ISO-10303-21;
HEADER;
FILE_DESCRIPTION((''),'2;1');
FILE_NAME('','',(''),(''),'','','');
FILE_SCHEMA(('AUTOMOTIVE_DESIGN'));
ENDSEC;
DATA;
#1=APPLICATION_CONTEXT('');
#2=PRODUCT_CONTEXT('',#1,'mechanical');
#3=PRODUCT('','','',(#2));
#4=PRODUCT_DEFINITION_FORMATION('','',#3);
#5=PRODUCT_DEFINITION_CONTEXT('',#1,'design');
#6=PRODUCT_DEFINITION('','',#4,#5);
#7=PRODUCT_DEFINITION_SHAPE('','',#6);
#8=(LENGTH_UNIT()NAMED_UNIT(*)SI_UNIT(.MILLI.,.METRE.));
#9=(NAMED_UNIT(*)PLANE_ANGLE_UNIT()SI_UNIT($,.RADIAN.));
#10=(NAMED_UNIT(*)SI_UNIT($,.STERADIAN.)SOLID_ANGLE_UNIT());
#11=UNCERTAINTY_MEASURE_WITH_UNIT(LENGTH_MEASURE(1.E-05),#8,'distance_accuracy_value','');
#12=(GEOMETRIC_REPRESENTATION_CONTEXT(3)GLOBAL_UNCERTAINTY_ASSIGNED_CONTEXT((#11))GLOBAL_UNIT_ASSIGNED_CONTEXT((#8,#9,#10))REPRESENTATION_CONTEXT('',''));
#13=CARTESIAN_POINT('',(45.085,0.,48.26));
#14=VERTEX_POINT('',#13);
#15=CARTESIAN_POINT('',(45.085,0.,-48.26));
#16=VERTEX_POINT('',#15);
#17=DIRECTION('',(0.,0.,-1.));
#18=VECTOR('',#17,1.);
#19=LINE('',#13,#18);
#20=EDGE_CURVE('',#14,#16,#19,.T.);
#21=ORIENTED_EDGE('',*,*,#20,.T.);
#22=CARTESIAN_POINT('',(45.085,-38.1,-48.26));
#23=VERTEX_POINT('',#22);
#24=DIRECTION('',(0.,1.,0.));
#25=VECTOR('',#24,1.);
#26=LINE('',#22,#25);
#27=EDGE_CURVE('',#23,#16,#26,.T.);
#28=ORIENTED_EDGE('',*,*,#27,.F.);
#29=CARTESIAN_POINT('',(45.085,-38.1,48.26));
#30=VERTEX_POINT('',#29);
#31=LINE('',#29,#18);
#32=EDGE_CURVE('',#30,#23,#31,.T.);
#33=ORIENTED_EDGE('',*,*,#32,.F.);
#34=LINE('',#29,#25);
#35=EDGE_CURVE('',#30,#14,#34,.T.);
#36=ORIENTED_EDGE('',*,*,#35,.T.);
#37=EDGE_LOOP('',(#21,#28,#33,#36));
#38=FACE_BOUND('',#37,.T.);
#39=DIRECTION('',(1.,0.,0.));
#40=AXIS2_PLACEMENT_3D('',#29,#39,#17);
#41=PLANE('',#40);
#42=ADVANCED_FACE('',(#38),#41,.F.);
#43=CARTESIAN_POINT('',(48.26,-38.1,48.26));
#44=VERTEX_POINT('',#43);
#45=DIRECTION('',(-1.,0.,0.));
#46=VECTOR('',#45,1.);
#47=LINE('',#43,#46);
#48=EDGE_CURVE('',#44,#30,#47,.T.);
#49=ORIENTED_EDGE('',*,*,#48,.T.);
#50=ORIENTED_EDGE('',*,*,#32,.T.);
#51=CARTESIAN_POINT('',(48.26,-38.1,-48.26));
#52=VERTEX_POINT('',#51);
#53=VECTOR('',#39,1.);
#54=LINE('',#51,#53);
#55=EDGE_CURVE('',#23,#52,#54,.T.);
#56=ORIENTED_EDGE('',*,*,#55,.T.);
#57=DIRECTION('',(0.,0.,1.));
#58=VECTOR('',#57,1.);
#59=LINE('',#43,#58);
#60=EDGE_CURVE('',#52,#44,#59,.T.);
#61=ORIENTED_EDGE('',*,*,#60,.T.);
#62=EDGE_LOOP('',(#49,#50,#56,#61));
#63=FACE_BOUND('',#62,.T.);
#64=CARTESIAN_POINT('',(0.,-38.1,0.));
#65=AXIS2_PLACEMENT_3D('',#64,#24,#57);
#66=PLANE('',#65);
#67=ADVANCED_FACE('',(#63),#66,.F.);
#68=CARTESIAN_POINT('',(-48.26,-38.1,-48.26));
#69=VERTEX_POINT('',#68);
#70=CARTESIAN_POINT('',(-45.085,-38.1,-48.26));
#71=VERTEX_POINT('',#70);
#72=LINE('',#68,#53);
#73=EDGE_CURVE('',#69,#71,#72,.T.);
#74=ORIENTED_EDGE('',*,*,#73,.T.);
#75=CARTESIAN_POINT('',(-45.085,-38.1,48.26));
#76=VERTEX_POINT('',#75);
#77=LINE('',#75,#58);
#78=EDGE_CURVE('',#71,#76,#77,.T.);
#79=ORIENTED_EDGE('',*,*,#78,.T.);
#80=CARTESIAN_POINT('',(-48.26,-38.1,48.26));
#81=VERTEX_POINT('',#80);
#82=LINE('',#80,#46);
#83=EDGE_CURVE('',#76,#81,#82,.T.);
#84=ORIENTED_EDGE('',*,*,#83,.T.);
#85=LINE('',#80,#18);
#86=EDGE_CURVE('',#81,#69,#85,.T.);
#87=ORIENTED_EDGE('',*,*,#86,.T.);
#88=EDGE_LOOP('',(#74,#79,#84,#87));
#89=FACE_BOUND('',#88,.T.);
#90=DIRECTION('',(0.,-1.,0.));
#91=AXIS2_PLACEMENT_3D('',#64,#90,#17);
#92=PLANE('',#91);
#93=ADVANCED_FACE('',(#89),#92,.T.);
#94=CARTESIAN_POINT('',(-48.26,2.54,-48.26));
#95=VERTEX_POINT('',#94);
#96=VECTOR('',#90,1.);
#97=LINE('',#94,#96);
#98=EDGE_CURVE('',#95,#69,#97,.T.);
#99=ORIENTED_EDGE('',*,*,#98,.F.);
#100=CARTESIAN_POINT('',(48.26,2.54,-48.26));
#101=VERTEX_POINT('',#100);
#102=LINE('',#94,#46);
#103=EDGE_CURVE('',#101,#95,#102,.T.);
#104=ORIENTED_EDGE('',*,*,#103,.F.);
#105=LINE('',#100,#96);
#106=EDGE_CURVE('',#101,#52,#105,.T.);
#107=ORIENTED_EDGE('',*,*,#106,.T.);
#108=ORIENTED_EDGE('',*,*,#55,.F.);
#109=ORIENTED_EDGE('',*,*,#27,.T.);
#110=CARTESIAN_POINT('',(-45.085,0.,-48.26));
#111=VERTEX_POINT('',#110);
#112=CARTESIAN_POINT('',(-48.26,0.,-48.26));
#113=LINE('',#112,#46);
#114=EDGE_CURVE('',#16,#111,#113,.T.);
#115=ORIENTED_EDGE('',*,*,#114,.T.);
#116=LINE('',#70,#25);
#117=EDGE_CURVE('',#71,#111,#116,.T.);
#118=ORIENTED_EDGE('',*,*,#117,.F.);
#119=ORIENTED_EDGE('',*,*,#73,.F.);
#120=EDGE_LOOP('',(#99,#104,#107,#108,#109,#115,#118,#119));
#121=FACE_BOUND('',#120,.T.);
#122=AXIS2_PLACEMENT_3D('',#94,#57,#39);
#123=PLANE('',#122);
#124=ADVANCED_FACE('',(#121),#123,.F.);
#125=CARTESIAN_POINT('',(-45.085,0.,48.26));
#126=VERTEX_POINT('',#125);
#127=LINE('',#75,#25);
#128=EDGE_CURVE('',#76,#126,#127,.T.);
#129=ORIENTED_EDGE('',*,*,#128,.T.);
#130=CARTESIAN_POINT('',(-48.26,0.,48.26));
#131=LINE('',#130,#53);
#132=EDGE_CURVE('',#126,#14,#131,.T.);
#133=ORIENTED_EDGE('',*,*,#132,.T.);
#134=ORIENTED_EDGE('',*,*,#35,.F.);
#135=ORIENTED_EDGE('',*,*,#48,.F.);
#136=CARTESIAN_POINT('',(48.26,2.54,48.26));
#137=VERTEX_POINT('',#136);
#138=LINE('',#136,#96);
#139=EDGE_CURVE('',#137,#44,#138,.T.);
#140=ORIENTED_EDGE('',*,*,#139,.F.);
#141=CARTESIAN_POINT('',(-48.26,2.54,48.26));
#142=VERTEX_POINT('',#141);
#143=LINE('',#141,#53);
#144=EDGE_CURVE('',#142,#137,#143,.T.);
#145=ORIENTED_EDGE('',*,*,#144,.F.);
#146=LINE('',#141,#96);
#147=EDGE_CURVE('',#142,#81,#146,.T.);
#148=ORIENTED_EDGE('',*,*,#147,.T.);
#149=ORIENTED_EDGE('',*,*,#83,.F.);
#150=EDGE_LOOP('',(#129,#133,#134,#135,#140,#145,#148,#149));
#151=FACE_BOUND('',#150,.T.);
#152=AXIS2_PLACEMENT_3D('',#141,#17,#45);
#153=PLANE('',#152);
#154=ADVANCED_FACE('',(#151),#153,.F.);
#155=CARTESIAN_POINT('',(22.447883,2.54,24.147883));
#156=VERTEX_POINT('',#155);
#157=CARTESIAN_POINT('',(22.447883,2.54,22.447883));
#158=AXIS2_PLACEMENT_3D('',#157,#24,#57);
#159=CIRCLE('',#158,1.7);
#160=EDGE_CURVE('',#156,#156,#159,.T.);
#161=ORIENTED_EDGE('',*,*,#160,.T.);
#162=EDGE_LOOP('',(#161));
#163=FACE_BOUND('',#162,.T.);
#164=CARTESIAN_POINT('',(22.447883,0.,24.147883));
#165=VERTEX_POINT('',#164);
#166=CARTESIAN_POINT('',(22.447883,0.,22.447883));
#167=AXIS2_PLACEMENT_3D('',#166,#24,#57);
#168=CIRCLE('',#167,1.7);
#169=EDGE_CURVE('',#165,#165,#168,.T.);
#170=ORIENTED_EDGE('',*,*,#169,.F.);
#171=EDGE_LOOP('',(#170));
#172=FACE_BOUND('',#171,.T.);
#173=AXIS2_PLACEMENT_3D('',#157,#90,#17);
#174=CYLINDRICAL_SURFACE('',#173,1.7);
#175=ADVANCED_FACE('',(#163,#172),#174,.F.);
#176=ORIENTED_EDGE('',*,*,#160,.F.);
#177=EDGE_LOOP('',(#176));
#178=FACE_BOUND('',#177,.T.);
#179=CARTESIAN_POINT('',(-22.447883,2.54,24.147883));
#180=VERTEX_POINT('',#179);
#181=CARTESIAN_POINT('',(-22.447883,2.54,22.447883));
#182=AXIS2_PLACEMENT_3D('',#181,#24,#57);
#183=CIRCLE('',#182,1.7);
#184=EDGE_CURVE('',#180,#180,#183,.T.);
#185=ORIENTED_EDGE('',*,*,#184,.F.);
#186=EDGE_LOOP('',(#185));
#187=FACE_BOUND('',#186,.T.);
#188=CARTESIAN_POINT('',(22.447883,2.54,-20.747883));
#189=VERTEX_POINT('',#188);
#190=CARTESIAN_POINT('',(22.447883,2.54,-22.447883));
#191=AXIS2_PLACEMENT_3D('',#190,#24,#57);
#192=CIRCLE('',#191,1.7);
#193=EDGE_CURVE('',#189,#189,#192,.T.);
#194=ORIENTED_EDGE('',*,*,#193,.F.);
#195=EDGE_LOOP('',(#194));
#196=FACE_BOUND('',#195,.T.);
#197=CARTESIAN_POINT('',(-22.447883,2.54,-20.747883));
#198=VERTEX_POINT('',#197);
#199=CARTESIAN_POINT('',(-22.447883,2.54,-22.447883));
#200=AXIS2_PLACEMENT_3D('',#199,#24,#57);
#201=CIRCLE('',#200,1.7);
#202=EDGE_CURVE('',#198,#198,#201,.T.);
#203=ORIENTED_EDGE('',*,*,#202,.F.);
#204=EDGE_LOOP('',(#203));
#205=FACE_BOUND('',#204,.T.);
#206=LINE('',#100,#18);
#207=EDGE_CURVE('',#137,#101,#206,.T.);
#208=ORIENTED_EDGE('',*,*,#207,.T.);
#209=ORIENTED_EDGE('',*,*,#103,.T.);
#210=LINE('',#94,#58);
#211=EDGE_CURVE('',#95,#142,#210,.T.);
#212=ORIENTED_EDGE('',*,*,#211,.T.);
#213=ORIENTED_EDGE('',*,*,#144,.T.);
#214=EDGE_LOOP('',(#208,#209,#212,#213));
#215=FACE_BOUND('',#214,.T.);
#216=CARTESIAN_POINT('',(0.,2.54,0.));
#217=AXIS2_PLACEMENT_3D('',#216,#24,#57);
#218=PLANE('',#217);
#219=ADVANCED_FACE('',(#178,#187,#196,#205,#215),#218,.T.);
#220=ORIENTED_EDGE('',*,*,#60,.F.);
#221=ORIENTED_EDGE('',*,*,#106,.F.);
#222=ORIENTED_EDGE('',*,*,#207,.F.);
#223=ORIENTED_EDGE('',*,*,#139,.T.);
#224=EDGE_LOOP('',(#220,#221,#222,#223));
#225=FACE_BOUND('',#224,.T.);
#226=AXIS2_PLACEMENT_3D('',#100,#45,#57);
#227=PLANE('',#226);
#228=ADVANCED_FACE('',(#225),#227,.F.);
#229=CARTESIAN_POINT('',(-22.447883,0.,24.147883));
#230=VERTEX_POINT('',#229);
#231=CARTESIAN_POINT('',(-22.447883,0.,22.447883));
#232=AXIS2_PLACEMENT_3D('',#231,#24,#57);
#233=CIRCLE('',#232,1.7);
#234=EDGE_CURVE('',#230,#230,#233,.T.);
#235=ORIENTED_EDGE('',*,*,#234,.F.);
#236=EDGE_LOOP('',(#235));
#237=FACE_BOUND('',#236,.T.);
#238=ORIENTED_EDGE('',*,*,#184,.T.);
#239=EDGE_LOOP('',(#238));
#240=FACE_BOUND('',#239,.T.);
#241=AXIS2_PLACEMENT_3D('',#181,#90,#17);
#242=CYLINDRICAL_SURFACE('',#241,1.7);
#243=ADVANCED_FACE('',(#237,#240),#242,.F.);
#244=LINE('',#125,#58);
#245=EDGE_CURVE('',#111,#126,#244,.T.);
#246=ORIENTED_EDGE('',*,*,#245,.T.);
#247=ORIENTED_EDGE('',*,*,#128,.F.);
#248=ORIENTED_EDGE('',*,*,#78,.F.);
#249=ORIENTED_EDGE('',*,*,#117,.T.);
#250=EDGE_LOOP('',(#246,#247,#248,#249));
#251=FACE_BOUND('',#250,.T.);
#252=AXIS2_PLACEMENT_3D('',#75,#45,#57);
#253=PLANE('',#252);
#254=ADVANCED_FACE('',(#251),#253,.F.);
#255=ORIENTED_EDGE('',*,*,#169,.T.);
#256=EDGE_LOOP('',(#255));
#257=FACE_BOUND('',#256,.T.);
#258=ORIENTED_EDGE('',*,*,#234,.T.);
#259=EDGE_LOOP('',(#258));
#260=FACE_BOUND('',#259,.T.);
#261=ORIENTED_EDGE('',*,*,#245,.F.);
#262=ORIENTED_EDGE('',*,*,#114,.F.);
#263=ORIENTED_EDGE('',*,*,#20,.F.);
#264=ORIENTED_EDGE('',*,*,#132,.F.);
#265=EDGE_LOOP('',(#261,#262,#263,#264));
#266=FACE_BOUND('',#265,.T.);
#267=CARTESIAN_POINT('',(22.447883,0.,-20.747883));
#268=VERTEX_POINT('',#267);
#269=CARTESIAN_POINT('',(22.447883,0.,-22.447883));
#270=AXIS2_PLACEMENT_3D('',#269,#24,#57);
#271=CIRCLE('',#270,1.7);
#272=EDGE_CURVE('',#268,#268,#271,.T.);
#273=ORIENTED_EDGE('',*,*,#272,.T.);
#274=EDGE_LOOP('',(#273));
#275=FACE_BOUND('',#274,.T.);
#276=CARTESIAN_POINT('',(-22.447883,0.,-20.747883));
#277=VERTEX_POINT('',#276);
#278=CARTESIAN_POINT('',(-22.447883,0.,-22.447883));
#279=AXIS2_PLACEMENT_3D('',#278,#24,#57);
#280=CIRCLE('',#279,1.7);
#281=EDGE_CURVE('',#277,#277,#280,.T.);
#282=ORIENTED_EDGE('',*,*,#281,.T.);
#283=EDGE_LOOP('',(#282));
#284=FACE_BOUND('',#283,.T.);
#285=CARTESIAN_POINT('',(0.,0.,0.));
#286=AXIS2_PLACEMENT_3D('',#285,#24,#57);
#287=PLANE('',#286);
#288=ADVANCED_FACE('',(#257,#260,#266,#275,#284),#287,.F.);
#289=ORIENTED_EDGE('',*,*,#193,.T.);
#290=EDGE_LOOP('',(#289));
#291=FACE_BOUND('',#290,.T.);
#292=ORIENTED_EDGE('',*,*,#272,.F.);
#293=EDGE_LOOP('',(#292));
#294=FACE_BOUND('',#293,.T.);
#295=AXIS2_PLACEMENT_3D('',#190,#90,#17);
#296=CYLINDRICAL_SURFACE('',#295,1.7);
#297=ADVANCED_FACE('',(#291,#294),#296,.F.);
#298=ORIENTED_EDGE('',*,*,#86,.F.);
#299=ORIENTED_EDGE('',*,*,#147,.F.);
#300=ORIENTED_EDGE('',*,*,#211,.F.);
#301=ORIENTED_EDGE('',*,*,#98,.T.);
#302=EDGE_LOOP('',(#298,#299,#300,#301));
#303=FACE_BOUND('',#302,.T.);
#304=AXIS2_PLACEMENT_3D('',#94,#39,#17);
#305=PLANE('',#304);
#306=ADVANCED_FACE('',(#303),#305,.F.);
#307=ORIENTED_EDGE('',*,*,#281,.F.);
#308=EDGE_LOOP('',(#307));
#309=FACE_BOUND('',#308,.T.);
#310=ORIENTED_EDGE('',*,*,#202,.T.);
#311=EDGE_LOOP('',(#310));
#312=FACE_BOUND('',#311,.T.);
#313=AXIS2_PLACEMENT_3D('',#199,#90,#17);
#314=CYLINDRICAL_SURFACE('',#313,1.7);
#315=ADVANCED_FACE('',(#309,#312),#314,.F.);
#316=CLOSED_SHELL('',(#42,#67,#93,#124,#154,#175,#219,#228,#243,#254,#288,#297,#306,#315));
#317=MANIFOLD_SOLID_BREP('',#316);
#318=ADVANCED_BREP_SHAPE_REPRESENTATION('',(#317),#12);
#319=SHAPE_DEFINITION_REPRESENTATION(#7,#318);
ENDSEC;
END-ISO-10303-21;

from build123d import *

# Parameters (mm, degrees)
SKETCH1_W           = 96.52
SKETCH1_H           = 96.52
SKETCH1_R           = 1.7
BOSS_EXTRUDE1_DEPTH = 2.54
SKETCH2_W           = 3.175
SKETCH2_H           = 96.52
BOSS_EXTRUDE2_DEPTH = 38.1


with BuildPart() as part:
    # Sketch1 → Boss-Extrude1 (new body)
    with BuildSketch(Plane(origin=(0, 0, 0), x_dir=(1, 0, 0), z_dir=(0, 1, 0))):
        Rectangle(SKETCH1_W, SKETCH1_H)
        with Locations((-22.447883068, 22.447883068)):
            Circle(SKETCH1_R, mode=Mode.SUBTRACT)
        with Locations((22.447883068, 22.447883068)):
            Circle(SKETCH1_R, mode=Mode.SUBTRACT)
        with Locations((22.447883068, -22.447883068)):
            Circle(SKETCH1_R, mode=Mode.SUBTRACT)
        with Locations((-22.447883068, -22.447883068)):
            Circle(SKETCH1_R, mode=Mode.SUBTRACT)
    extrude(amount=BOSS_EXTRUDE1_DEPTH)

    # Sketch2 → Boss-Extrude2 (add)
    with BuildSketch(Plane.XZ):
        with Locations((-46.6725, 0)):
            Rectangle(SKETCH2_W, SKETCH2_H)
        with Locations((46.6725, 0)):
            Rectangle(SKETCH2_W, SKETCH2_H)
    extrude(amount=BOSS_EXTRUDE2_DEPTH)


solid = part.part
